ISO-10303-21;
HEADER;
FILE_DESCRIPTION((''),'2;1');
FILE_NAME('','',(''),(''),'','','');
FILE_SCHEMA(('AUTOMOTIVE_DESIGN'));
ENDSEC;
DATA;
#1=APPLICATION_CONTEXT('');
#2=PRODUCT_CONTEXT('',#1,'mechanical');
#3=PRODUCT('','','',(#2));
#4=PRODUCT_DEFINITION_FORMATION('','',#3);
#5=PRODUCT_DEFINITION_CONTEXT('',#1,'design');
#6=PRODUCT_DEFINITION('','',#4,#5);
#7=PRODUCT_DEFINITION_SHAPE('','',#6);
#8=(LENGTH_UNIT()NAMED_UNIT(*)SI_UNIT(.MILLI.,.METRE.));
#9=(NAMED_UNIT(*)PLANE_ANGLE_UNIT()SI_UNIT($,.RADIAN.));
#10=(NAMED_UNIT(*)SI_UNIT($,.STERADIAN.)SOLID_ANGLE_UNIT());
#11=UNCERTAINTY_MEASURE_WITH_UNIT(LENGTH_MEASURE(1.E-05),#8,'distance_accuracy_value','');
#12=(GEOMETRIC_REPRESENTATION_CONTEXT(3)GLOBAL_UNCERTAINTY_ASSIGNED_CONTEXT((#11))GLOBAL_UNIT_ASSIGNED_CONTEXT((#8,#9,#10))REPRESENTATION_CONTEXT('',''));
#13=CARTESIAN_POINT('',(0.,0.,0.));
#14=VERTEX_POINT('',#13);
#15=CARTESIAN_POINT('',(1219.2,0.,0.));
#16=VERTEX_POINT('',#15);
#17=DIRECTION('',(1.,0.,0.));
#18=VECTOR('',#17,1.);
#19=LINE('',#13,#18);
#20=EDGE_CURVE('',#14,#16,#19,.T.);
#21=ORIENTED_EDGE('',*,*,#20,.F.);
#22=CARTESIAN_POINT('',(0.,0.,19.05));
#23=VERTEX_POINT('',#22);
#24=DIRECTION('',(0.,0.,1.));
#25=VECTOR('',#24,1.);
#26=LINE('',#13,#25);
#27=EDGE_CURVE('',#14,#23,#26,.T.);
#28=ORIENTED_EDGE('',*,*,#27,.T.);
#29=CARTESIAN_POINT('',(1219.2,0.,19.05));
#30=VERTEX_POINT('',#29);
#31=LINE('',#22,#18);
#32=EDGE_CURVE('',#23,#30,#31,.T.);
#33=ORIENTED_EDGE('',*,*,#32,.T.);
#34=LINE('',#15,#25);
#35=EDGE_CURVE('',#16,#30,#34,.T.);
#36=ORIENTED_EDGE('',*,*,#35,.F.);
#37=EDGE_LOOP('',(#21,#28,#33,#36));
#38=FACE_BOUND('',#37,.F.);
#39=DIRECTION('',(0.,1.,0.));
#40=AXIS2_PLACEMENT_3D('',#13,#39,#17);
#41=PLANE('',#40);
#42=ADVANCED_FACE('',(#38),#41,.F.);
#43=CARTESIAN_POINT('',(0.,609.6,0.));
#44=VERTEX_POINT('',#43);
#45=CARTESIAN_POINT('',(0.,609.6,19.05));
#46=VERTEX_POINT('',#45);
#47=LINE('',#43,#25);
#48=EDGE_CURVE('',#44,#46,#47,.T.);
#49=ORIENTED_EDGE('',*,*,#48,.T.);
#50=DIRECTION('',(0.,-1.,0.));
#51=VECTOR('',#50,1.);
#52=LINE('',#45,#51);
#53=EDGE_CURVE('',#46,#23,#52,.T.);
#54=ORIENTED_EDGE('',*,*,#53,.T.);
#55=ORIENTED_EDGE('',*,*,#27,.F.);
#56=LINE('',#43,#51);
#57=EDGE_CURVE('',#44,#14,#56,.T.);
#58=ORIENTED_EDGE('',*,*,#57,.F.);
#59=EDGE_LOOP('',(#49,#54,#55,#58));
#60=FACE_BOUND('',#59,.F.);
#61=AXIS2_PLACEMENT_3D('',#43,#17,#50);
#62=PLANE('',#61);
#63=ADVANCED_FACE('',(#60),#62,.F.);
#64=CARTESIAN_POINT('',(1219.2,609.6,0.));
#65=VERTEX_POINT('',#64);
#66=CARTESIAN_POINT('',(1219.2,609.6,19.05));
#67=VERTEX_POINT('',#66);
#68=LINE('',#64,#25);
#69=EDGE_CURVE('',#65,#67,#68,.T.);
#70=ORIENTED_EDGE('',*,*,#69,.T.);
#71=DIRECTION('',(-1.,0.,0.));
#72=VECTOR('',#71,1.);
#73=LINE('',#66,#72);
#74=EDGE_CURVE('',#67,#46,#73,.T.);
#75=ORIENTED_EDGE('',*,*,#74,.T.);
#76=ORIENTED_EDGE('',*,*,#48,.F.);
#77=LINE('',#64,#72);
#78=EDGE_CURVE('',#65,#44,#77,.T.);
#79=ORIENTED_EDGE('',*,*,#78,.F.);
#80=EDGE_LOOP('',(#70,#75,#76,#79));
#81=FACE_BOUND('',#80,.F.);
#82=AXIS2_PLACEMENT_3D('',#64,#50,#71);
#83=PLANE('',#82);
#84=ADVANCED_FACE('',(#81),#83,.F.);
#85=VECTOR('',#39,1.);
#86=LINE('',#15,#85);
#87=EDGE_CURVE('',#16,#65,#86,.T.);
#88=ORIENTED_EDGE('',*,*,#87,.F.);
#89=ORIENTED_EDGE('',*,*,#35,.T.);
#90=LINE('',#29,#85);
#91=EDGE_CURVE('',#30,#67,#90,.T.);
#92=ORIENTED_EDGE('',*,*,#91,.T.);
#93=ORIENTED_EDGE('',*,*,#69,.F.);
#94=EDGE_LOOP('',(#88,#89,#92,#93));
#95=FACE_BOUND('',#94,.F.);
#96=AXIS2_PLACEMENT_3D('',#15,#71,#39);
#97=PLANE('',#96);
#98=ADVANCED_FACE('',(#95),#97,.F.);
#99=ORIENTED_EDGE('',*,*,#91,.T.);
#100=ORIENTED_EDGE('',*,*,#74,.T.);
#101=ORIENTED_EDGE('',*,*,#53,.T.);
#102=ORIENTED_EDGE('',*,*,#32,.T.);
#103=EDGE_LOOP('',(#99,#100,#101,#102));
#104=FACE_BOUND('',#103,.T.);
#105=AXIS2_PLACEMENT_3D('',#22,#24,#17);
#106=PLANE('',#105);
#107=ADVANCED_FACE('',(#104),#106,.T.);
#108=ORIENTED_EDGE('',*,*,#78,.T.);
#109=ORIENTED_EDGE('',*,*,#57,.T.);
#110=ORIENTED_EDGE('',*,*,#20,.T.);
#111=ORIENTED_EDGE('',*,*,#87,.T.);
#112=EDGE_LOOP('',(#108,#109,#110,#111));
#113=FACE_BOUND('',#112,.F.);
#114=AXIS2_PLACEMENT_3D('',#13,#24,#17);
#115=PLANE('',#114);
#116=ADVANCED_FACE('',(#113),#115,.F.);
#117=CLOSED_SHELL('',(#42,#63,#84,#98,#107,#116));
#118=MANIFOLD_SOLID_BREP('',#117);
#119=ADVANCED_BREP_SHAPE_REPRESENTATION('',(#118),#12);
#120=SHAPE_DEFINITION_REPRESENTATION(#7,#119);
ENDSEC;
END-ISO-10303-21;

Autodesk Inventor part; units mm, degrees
ref_plane "YZ Plane" through (0, 0, 0) normal (1, 0, 0) x (0, 1, 0)
ref_plane "XZ Plane" through (0, 0, 0) normal (0, 1, 0) x (-1, 0, 0)
ref_plane "XY Plane" through (0, 0, 0) normal (0, 0, 1) x (1, 0, 0)
sketch "Sketch1" plane through (0, 0, 0) normal (0, 0, 1) x (1, 0, 0)
  line L0 (0, 0) -> (1219.2, 0)
  line L1 (1219.2, 0) -> (1219.2, 609.6)
  line L2 (1219.2, 609.6) -> (0, 609.6)
  line L3 (0, 609.6) -> (0, 0)
  dimension "d0" = 1219.2
  dimension "d1" = 609.6
extrude "Extrusion1" add sketch "Sketch1" along normal blind 19.05
properties part number "Plywood" material "Wood (Birch)"
